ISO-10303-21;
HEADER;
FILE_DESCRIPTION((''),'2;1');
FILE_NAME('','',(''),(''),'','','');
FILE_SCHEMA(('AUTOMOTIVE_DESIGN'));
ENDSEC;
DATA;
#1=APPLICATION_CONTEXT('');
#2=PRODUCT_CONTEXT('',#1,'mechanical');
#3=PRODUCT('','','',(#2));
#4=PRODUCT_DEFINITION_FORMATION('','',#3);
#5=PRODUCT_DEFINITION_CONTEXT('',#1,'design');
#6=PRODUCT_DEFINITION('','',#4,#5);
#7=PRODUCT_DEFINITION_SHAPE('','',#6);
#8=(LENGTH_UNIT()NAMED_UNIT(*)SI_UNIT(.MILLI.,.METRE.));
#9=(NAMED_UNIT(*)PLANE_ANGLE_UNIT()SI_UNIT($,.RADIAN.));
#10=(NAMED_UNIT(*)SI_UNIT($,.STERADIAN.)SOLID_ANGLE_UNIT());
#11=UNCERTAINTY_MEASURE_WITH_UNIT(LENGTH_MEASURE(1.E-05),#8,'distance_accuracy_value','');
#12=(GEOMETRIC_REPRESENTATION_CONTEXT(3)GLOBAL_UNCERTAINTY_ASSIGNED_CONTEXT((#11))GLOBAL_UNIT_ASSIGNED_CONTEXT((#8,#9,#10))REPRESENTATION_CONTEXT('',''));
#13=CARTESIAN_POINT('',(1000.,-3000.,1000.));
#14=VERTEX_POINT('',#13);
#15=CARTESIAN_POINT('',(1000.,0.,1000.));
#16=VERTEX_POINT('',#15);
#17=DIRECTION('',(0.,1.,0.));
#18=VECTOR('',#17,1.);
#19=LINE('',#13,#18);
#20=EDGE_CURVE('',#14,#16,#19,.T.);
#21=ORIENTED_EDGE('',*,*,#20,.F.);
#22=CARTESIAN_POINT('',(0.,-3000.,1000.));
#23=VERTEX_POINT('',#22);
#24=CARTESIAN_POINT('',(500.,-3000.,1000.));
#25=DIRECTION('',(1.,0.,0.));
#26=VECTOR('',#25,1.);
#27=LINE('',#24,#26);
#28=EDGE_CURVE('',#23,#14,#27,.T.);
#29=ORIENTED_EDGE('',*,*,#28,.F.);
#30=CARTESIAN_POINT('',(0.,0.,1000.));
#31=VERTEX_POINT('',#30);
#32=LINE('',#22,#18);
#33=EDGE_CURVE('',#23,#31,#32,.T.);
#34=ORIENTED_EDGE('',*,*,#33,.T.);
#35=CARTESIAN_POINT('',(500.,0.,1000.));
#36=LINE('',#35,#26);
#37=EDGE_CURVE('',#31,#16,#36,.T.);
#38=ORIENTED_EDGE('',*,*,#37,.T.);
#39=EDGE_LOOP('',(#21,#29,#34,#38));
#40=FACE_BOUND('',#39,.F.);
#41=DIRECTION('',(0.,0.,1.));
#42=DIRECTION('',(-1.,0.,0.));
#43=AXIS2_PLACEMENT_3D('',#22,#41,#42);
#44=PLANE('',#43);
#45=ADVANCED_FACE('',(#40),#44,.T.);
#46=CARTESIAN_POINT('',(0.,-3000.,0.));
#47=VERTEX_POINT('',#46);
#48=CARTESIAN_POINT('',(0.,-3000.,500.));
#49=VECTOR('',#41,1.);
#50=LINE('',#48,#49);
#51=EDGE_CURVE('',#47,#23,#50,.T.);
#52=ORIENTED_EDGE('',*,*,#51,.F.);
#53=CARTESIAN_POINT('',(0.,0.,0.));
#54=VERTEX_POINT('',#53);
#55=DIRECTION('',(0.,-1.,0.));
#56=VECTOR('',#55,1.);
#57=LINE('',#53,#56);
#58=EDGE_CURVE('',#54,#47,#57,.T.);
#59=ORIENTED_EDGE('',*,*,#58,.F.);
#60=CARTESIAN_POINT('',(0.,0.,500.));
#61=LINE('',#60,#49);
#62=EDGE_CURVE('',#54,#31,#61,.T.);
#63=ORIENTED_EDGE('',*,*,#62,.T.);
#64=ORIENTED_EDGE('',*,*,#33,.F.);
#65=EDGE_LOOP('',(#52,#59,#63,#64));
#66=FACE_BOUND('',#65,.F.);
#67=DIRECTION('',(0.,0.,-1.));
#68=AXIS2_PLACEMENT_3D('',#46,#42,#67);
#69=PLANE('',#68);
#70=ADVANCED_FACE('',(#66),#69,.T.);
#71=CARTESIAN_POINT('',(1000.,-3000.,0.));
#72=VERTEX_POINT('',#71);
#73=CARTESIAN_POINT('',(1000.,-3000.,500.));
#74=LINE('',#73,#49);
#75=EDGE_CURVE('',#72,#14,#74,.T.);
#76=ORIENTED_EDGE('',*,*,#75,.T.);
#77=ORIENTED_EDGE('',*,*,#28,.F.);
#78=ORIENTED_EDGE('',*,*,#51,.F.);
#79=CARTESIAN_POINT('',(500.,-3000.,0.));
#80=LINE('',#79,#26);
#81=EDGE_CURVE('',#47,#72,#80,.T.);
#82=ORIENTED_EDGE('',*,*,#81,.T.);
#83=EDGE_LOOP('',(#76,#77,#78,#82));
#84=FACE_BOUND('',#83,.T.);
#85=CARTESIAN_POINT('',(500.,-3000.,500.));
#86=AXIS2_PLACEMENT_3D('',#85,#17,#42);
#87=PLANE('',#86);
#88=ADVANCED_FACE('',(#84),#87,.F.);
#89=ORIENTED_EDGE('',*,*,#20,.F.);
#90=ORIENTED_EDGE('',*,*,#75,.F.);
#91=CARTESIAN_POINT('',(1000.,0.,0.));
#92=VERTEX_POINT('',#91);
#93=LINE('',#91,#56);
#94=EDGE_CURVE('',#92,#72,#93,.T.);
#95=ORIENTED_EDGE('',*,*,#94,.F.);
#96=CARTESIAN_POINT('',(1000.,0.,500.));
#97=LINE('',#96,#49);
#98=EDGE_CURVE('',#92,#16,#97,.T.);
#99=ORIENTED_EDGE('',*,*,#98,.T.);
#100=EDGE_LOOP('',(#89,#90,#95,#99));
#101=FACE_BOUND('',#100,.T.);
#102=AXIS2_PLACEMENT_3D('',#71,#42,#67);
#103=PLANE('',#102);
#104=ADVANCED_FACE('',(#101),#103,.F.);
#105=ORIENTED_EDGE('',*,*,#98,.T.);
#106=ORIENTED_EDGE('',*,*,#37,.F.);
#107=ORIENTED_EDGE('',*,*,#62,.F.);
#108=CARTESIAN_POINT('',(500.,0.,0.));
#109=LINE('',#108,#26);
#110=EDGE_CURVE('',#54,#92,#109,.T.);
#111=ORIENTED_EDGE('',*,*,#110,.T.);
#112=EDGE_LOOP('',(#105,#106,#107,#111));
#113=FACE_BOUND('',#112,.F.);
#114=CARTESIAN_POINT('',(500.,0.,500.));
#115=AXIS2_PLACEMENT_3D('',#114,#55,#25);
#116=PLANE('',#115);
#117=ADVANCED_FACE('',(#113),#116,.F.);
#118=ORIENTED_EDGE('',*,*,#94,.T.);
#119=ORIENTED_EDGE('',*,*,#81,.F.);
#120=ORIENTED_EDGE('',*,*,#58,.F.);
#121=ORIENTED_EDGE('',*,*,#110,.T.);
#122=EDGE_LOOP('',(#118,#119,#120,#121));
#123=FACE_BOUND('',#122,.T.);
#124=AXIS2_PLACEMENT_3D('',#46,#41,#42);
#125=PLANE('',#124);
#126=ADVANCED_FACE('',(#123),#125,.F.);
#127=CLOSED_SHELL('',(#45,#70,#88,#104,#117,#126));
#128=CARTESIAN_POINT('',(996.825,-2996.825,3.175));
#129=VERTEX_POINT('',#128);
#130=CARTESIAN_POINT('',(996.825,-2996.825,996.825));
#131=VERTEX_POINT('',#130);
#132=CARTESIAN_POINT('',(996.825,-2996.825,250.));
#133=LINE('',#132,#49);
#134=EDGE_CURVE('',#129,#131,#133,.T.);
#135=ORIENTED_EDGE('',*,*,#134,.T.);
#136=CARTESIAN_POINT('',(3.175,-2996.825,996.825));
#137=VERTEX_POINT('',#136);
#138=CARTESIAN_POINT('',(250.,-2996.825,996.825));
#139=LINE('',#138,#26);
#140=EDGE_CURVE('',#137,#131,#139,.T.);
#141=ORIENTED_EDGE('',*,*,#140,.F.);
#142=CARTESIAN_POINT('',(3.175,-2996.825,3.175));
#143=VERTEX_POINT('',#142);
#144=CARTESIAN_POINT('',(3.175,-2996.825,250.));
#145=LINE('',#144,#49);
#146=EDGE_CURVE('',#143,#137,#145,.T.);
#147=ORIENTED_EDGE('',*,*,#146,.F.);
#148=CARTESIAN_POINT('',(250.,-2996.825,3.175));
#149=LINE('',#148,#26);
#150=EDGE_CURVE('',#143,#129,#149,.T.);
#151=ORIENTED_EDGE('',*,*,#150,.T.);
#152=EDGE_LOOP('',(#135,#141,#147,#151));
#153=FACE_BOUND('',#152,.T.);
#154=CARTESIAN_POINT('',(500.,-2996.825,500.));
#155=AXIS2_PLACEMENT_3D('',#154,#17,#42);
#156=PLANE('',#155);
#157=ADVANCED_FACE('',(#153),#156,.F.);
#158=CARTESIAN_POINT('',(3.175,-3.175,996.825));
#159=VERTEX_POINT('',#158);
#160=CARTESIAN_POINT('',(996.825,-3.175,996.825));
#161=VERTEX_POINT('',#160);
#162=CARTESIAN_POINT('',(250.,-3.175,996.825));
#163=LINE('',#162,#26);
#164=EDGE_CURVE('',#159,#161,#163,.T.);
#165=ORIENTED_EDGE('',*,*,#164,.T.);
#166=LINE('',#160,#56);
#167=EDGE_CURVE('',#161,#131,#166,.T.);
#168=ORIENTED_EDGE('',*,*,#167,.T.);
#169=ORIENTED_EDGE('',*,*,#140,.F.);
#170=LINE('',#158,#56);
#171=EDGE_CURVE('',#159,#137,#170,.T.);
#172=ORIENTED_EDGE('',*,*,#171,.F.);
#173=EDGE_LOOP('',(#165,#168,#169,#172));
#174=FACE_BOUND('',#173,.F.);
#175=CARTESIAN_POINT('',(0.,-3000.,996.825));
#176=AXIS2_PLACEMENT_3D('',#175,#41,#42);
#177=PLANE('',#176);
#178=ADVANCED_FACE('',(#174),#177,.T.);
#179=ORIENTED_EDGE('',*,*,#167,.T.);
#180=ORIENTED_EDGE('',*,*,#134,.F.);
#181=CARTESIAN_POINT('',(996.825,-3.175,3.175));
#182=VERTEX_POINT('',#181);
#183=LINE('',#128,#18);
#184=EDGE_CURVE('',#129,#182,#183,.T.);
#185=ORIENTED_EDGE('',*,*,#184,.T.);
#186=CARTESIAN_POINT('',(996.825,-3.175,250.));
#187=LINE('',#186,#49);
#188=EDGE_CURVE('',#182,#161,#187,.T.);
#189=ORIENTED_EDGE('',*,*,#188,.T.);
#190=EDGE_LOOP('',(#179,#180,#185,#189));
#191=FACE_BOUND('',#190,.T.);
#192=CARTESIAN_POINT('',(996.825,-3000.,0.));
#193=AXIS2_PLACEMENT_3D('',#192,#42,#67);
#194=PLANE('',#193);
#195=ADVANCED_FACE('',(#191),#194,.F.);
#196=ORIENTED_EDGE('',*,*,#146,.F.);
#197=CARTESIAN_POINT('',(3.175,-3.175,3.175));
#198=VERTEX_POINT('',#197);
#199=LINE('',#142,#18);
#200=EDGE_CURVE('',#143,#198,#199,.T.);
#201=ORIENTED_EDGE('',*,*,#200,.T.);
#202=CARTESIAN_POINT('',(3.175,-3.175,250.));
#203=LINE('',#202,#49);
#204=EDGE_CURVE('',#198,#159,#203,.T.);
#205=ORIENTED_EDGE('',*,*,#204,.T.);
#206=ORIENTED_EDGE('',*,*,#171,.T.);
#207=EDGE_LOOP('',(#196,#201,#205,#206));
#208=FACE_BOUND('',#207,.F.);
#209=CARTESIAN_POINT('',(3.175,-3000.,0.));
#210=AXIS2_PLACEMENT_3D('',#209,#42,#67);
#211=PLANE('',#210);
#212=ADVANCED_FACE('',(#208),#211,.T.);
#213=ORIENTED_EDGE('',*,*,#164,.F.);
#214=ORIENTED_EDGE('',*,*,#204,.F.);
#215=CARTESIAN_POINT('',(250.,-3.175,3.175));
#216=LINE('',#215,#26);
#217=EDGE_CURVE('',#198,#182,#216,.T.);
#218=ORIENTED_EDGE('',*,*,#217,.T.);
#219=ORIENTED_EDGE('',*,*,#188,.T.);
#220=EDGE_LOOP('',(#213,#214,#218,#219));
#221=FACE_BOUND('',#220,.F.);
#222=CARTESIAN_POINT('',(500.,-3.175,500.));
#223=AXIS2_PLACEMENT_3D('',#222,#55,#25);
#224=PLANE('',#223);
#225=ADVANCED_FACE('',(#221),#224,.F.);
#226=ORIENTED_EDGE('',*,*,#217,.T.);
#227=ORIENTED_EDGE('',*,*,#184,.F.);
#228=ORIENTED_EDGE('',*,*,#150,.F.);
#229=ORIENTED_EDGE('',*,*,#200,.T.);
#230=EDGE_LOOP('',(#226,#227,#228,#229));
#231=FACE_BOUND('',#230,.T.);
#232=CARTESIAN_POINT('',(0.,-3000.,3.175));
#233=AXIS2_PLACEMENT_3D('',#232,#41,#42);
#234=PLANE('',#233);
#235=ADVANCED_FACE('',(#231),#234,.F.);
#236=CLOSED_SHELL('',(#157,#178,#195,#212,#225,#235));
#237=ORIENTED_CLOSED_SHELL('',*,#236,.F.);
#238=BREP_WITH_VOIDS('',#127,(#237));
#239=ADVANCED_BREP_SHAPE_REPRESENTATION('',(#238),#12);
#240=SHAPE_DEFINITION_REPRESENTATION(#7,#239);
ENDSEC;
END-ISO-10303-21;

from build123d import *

# Parameters (mm, degrees)
F0_W     = 1000
F0_H     = 1000
F1_DEPTH = 1500
F2_T     = -3.175


with BuildPart() as f1:
    # F0 (on Front) → F1 (new body)
    with BuildSketch(Plane.XZ):
        with Locations((500, 500)):
            Rectangle(F0_W, F0_H)
    extrude(amount=F1_DEPTH)

    # F2
    f2_openings = [f1.faces().sort_by_distance(p)[0] for p in [
        (500, -1500, 500),
    ]]
    offset(amount=F2_T, openings=f2_openings)

    # F4: F1 across plane


with BuildPart() as f1_1:
    add(f1.part)
    add(f1.part.mirror(Plane.XZ.offset(1500)))


solid = f1_1.part
